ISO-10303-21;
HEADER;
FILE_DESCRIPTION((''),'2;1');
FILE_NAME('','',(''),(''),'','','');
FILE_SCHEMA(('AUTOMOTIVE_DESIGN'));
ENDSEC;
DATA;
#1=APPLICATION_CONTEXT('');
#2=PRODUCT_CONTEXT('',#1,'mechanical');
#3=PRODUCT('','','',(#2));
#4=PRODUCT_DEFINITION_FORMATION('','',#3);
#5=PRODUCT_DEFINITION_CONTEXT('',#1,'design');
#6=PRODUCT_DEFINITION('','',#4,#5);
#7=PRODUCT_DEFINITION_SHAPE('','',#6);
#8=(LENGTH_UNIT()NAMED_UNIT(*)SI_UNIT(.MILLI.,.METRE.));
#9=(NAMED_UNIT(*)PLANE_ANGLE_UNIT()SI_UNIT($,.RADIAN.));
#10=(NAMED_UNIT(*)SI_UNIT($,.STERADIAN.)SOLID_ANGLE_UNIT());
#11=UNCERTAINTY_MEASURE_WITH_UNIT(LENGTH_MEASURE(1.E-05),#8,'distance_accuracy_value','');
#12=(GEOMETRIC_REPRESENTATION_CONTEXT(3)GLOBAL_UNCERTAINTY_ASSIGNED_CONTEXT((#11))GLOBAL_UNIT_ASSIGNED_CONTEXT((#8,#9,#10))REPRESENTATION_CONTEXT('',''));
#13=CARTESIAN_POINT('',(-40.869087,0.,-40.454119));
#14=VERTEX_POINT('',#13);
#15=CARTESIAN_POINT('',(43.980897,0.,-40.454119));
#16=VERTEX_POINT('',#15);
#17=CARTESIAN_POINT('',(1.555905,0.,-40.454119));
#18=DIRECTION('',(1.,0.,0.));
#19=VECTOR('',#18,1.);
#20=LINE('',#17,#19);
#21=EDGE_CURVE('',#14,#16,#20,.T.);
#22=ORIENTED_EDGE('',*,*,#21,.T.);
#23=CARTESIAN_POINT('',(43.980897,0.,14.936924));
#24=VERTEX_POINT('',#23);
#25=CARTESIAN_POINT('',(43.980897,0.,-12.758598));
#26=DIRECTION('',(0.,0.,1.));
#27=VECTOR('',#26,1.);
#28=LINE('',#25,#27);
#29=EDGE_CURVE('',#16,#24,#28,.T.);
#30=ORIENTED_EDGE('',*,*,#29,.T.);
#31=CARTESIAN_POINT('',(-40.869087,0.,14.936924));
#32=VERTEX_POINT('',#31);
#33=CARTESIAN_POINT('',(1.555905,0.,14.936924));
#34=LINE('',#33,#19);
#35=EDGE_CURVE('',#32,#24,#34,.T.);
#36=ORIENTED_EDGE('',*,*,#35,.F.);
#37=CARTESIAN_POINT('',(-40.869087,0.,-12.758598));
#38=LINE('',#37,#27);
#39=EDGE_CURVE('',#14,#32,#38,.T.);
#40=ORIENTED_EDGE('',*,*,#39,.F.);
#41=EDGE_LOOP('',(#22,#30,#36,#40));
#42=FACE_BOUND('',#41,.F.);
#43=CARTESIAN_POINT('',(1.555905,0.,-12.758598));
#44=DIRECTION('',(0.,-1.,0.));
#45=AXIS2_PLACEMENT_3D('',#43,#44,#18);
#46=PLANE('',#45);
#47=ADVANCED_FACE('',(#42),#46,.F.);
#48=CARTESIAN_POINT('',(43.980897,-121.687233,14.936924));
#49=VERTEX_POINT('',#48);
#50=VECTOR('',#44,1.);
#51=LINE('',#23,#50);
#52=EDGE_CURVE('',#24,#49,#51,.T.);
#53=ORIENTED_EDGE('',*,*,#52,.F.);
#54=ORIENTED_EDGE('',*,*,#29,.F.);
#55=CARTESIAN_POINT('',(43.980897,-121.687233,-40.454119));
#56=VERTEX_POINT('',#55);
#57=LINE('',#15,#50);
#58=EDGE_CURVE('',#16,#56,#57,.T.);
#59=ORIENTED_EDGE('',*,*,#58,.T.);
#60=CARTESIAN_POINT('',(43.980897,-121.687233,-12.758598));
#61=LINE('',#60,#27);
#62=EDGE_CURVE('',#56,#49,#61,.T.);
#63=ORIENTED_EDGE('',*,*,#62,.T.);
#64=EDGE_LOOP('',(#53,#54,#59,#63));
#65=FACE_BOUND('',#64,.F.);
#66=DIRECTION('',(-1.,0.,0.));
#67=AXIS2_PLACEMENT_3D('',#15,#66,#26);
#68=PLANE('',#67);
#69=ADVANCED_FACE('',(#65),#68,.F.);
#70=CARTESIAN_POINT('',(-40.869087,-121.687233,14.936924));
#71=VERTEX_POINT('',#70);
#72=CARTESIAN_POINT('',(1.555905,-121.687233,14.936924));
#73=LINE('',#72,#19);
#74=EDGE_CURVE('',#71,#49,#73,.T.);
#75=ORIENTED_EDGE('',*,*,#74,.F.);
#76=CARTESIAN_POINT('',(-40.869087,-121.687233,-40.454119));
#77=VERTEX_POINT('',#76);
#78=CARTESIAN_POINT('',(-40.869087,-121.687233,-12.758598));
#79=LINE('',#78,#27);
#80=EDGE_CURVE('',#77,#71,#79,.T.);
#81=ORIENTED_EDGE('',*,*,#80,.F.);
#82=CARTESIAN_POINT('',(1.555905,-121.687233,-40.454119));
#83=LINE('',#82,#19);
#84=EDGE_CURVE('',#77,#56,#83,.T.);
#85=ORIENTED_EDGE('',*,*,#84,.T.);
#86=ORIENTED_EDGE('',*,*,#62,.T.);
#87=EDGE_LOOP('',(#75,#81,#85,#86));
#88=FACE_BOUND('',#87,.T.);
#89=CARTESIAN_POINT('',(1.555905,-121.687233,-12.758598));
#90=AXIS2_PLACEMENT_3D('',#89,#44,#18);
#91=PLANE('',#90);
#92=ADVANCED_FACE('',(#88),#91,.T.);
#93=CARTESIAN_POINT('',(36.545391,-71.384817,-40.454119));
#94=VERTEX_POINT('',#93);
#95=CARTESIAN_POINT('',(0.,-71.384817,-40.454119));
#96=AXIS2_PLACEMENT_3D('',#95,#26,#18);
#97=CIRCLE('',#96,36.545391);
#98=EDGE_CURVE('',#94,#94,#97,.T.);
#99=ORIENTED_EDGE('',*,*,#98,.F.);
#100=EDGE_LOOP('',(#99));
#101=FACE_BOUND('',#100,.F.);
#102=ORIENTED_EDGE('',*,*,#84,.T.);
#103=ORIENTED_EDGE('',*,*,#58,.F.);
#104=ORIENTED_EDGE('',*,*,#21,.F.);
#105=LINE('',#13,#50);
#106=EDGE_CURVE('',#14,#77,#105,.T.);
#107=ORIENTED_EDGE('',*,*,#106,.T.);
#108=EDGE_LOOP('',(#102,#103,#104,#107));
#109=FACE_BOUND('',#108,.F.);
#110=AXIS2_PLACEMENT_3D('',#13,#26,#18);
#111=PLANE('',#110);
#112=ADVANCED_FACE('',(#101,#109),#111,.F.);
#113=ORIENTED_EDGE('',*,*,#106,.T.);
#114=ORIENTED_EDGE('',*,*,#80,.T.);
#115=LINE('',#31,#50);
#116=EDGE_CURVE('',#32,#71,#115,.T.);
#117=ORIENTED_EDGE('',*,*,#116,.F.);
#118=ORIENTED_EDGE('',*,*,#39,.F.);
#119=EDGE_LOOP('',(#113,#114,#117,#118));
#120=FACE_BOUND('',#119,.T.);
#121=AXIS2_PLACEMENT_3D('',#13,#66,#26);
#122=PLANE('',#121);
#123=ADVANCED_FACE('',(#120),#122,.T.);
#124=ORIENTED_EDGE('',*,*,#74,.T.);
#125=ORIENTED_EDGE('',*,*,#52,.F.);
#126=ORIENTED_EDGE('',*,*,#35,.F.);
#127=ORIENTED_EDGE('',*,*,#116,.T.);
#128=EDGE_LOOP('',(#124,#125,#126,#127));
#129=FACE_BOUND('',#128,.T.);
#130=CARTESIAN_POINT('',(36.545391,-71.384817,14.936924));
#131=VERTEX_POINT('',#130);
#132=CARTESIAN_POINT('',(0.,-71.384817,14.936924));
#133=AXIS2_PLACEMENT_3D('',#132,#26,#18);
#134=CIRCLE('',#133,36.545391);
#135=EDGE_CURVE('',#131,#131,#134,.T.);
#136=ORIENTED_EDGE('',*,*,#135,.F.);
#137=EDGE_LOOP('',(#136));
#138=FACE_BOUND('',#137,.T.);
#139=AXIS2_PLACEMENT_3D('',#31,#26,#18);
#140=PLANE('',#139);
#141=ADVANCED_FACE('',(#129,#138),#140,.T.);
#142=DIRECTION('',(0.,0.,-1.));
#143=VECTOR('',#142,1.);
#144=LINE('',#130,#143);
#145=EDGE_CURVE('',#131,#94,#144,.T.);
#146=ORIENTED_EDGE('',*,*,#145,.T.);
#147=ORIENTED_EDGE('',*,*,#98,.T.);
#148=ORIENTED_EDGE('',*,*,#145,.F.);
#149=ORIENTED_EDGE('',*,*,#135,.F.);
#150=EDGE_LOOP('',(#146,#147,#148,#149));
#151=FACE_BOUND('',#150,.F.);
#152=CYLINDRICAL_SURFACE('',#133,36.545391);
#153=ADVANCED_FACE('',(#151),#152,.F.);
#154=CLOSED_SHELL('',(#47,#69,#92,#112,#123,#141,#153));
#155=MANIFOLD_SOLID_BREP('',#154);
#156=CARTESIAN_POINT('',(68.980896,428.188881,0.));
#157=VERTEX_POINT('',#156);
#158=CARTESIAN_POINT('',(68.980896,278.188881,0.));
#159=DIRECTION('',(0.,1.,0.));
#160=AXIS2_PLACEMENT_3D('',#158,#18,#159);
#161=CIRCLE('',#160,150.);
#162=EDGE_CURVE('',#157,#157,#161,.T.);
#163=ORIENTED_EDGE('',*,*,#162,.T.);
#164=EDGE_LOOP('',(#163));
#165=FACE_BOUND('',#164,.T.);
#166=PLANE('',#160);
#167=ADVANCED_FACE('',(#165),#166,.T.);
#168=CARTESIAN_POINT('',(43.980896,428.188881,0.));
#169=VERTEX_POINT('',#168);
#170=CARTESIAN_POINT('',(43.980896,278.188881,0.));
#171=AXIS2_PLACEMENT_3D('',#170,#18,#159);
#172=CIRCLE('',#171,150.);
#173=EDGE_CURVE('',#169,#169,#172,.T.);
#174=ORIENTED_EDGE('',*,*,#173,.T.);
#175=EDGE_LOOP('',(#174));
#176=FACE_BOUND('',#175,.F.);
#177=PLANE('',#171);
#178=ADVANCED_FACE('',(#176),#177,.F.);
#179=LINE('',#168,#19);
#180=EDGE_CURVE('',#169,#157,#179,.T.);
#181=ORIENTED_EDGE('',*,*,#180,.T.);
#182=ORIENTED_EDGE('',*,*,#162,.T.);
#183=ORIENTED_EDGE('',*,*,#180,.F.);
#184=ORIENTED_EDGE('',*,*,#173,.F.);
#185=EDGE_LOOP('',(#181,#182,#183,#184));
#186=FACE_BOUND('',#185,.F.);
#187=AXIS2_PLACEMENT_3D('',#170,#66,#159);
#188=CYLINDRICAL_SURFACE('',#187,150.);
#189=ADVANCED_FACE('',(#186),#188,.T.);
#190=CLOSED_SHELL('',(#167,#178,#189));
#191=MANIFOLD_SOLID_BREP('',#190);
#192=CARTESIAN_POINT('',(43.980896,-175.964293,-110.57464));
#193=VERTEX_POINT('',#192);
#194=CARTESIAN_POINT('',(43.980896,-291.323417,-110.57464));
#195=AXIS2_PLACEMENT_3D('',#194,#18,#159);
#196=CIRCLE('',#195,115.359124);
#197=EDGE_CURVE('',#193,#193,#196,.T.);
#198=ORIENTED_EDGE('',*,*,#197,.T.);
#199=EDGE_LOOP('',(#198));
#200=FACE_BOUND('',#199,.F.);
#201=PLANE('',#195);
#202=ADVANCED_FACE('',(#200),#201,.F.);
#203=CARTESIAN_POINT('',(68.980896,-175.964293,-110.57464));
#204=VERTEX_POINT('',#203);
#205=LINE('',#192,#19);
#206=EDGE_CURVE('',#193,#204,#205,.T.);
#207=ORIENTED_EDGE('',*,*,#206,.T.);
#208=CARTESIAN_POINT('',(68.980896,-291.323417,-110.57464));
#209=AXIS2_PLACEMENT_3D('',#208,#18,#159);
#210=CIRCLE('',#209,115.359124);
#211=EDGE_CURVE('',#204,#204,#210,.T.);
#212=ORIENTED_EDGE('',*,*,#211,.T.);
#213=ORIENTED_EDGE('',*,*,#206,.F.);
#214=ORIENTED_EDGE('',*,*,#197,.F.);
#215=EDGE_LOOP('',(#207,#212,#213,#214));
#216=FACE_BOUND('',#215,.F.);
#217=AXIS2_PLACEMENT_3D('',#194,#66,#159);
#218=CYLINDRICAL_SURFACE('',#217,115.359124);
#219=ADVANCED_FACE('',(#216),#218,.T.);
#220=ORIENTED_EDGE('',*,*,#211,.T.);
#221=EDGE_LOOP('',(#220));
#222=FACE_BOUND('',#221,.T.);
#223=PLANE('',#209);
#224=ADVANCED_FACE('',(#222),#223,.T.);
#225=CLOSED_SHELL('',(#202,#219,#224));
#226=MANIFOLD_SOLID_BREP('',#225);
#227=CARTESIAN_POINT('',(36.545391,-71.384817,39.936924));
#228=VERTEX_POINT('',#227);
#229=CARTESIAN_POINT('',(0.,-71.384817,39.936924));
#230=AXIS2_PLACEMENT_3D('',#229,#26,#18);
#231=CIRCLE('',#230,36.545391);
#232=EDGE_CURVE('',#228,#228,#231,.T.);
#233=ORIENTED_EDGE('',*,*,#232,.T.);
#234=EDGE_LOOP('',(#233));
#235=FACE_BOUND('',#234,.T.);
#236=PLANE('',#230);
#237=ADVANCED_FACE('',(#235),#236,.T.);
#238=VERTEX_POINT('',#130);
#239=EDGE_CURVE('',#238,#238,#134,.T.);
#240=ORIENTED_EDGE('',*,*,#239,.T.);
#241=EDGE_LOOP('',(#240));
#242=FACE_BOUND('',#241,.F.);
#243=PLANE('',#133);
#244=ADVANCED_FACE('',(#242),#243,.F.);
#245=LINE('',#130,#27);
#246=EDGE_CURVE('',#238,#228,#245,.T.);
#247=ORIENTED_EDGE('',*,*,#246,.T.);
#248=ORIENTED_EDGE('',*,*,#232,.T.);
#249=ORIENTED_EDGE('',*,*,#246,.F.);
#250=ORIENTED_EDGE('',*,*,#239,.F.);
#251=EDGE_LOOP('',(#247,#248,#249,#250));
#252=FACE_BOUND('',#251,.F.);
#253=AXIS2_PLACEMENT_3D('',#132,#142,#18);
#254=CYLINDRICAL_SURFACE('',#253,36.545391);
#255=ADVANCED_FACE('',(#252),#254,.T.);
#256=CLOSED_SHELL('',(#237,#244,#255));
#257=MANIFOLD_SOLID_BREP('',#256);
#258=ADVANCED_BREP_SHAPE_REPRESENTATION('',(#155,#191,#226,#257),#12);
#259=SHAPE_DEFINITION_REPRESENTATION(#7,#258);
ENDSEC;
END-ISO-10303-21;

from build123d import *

# Parameters (mm, degrees)
F0_W     = 84.849983
F0_H     = 55.391043
F1_DEPTH = 121.687233
F2_R     = 36.545391
F3_DEPTH = 102.397002
F4_DEPTH = 25
F5_R     = 115.359124
F5_R_2   = 150
F6_DEPTH = 25


with BuildPart() as f1:
    # F0 (on Front) → F1 (new body)
    with BuildSketch(Plane.XZ):
        with Locations((1.555905, -12.758598)):
            Rectangle(F0_W, F0_H)
    extrude(amount=F1_DEPTH)

    # F2 (on face) → F3 (cut)
    with BuildSketch(Plane.XY.offset(14.936924)):
        with Locations((0, -71.384817)):
            Circle(F2_R)
    extrude(amount=-F3_DEPTH, mode=Mode.SUBTRACT)


with BuildPart() as f4:
    # F2 (on face) → F4 (new body)
    with BuildSketch(Plane.XY.offset(14.936924)):
        with Locations((0, -71.384817)):
            Circle(F2_R)
    extrude(amount=F4_DEPTH)


with BuildPart() as f6:
    # F5 (on face) → F6 (new body)
    with BuildSketch(Plane.YZ.offset(43.980896)):
        with Locations((-291.323417, -110.57464)):
            Circle(F5_R)
        with Locations((278.188881, 0)):
            Circle(F5_R_2)
    extrude(amount=F6_DEPTH)


solid = Compound([f1.part, f4.part, f6.part])
